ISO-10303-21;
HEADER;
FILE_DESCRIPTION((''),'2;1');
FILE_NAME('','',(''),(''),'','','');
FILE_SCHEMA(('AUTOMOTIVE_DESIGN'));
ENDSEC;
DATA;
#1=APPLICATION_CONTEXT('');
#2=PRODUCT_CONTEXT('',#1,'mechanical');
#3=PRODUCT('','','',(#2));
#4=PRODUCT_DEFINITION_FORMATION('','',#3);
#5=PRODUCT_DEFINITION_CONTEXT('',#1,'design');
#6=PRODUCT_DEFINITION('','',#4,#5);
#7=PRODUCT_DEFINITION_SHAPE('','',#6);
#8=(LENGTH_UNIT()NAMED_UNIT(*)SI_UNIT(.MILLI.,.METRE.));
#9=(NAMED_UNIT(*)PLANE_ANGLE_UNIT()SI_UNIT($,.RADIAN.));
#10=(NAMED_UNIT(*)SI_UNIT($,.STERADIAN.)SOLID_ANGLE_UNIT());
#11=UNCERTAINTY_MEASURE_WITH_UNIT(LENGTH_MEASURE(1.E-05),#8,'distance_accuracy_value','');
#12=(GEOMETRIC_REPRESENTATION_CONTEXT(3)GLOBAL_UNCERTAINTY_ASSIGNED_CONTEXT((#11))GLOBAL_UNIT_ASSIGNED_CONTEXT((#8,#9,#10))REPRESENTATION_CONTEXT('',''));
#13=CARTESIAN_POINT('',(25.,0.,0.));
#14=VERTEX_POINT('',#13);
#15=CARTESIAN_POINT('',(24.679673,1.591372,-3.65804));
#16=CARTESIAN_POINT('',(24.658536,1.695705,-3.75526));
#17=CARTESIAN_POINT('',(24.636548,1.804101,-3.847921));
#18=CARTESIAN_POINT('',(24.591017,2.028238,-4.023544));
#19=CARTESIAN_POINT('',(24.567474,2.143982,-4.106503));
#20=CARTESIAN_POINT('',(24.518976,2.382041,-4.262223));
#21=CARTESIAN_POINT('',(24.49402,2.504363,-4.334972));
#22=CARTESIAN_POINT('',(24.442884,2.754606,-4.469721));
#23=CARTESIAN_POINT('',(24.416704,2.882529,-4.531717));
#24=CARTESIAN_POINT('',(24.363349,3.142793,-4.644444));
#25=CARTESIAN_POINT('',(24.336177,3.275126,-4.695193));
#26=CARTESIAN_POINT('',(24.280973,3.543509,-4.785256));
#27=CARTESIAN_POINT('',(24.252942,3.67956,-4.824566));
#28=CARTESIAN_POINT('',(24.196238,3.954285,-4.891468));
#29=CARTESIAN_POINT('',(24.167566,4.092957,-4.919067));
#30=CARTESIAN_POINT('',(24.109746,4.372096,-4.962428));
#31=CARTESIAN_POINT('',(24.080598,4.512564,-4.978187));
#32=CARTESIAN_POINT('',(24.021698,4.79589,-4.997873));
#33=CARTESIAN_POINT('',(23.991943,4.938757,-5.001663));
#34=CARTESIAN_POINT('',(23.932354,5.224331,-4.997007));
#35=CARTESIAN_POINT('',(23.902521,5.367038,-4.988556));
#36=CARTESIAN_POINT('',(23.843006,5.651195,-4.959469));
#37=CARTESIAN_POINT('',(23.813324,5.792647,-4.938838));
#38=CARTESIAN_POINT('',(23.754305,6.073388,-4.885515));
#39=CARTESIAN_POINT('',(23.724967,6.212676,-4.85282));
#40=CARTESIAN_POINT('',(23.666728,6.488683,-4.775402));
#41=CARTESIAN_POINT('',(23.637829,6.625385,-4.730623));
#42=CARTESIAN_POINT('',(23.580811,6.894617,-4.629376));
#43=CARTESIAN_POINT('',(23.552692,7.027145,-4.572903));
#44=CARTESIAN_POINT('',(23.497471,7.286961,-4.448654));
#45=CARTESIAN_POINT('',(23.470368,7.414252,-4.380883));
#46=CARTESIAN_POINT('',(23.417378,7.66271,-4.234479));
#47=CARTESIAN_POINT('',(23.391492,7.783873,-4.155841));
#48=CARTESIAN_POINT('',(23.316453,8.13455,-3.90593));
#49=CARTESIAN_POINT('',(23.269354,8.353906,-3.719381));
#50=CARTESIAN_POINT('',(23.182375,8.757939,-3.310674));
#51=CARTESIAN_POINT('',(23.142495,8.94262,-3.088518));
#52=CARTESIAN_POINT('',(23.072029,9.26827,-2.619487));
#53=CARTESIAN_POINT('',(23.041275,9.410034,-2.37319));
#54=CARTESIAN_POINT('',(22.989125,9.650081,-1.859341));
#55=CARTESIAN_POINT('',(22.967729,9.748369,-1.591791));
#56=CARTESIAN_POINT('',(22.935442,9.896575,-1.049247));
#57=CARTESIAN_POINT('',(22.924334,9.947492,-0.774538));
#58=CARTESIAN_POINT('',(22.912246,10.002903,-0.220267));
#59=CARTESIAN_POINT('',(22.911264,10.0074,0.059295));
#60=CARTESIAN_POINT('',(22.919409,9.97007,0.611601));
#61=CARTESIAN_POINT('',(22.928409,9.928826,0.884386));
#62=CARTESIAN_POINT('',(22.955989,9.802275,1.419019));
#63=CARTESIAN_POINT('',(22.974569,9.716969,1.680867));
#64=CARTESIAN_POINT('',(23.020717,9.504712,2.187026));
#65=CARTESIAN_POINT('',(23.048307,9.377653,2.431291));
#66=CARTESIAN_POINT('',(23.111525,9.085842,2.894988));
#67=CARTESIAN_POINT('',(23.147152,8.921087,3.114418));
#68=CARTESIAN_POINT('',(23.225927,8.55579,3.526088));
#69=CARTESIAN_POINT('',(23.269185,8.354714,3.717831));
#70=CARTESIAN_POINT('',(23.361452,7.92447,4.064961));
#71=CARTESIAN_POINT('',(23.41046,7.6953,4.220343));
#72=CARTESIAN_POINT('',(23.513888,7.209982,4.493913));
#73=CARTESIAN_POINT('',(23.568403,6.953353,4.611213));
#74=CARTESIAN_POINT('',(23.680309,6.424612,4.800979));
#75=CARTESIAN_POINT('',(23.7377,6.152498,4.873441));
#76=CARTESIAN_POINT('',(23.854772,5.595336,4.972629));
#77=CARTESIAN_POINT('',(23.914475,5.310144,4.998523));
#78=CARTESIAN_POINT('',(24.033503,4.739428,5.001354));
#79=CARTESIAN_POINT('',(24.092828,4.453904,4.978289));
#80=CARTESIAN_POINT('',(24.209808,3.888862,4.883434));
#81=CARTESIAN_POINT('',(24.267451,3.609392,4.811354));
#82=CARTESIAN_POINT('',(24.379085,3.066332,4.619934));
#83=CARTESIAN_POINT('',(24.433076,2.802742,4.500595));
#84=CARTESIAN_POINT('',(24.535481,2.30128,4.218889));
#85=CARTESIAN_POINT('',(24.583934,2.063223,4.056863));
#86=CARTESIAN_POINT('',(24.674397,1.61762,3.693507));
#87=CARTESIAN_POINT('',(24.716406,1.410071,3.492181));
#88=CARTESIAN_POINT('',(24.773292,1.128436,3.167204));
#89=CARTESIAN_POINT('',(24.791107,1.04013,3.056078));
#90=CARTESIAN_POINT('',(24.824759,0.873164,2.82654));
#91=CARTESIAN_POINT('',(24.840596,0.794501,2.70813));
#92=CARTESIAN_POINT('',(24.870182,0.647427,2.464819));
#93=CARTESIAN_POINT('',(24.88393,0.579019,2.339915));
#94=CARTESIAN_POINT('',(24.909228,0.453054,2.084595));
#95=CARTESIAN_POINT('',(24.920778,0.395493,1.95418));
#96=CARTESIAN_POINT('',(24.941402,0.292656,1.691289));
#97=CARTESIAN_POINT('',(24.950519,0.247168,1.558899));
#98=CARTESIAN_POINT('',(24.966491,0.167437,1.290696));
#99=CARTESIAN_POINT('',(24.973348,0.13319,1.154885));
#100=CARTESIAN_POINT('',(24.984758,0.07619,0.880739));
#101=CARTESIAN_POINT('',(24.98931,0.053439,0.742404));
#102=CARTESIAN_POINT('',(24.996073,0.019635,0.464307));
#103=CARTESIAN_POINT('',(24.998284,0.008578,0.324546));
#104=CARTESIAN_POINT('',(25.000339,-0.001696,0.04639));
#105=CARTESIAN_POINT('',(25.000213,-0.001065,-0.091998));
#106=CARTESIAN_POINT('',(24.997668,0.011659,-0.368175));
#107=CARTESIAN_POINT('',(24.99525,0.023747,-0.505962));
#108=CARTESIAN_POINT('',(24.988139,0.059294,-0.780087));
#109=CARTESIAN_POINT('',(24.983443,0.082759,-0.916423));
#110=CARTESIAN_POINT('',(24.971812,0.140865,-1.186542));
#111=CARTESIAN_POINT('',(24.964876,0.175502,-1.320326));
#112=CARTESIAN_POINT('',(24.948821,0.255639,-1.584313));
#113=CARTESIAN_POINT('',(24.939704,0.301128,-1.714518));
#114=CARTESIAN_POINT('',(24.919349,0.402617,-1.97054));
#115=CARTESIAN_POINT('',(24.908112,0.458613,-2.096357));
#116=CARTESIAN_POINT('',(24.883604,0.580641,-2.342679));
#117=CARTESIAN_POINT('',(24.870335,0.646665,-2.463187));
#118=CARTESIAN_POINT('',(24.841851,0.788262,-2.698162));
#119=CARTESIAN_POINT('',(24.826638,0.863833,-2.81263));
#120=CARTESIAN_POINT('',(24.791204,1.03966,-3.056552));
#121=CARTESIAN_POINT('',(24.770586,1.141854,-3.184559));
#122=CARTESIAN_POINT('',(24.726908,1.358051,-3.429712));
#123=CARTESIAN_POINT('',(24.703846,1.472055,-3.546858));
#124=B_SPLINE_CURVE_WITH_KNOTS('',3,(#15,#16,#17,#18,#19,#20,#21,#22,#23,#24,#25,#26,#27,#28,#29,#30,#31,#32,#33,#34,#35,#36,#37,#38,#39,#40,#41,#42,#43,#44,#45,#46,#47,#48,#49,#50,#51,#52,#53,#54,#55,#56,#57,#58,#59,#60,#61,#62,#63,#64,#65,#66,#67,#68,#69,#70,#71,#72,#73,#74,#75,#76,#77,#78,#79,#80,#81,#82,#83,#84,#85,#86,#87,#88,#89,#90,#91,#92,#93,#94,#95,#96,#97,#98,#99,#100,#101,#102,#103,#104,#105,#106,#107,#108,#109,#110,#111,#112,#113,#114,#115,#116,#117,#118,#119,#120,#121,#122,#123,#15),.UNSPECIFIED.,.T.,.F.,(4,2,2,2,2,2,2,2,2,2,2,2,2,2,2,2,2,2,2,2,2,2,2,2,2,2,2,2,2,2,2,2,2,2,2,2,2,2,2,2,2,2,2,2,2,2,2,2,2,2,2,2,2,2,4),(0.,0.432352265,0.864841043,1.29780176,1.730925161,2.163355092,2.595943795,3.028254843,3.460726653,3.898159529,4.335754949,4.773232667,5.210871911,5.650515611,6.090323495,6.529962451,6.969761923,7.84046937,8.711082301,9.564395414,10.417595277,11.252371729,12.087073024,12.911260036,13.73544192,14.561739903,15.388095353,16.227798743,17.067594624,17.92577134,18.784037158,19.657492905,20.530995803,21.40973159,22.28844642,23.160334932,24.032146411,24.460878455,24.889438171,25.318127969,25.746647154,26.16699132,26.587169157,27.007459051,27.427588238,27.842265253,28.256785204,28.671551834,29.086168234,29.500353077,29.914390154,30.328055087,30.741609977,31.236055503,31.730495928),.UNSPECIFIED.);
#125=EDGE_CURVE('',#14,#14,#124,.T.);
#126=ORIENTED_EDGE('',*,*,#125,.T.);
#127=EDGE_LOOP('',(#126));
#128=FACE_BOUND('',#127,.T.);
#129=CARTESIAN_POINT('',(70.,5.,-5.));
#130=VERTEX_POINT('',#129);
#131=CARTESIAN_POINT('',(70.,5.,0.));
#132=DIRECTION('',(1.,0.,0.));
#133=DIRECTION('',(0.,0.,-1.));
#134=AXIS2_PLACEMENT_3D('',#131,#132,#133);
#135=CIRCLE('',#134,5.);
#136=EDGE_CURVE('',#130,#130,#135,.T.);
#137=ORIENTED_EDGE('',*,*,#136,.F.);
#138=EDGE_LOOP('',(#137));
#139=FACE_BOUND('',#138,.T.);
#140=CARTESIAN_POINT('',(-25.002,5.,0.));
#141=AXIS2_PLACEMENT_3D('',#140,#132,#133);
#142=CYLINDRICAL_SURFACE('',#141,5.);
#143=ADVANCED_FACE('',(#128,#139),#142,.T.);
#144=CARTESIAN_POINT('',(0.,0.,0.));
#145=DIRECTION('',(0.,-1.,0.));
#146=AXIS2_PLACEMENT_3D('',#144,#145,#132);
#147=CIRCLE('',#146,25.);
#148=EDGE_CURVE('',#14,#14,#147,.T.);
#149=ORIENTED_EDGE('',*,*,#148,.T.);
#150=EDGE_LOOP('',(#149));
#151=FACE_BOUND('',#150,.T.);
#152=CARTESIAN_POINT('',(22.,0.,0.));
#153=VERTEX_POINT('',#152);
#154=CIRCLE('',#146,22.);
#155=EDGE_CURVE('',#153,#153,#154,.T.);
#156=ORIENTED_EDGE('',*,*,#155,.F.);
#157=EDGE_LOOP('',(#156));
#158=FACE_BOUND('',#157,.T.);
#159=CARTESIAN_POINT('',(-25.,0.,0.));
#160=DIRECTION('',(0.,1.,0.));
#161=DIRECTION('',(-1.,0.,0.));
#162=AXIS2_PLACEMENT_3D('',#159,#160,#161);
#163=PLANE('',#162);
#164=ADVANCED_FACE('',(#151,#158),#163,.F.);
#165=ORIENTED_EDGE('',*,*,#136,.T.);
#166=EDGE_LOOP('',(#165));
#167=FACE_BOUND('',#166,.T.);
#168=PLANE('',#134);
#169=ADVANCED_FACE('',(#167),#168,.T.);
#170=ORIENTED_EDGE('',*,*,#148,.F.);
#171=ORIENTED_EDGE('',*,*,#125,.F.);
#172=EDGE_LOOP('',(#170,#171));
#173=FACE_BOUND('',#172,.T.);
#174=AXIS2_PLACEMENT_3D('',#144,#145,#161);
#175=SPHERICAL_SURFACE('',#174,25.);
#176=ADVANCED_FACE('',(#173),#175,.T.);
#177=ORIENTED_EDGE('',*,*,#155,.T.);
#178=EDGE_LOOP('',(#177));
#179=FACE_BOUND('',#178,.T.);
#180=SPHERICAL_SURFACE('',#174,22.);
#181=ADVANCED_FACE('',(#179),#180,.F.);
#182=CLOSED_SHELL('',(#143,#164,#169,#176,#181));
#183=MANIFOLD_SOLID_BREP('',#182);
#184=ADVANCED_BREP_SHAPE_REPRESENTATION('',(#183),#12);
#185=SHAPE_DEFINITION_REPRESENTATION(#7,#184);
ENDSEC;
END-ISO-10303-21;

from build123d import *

# Parameters (mm, degrees)
CIRKEL_R                   = 5
ARM_DEPTH                  = 45
ARM_DIRECTION_2_REACH      = 63.237
ARM_DIRECTION_2_END_RADIUS = 25


with BuildPart() as part:
    # boog → bol (revolve)
    with BuildSketch(Plane.XY):
        with BuildLine():
            Line((-25, 0), (-22, 0))
            ThreePointArc((-22, 0), (-15.556349186, 15.556349186), (0, 22))
            Line((0, 22), (0, 25))
            ThreePointArc((0, 25), (-17.67766953, 17.67766953), (-25, 0))
        make_face()
    revolve(axis=Axis((0, 0, 0), (0, 1, 0)))

    # cirkel → arm (add)
    with BuildSketch(Plane(origin=(25, 0, 0), x_dir=(0, 0, -1), z_dir=(1, 0, 0))):
        with Locations((0, 5)):
            Circle(CIRKEL_R)
    extrude(amount=ARM_DEPTH)

    # arm direction 2: up to this sphere (the profile starts outside it)
    arm_direction_2_end = Location((0, 0, 0)) * Sphere(ARM_DIRECTION_2_END_RADIUS, mode=Mode.PRIVATE)
    # cirkel → arm direction 2 (add, up to the surface)
    with BuildSketch(Plane(origin=(25, 0, 0), x_dir=(0, 0, -1), z_dir=(1, 0, 0)), mode=Mode.PRIVATE) as arm_direction_2_sk1:
        with Locations((0, 5)):
            Circle(CIRKEL_R)
    arm_direction_2_tool1 = extrude(arm_direction_2_sk1.sketch, amount=-ARM_DIRECTION_2_REACH, mode=Mode.PRIVATE) - arm_direction_2_end
    add(arm_direction_2_tool1.solids().sort_by_distance((25, 5, 0))[0])


solid = part.part
